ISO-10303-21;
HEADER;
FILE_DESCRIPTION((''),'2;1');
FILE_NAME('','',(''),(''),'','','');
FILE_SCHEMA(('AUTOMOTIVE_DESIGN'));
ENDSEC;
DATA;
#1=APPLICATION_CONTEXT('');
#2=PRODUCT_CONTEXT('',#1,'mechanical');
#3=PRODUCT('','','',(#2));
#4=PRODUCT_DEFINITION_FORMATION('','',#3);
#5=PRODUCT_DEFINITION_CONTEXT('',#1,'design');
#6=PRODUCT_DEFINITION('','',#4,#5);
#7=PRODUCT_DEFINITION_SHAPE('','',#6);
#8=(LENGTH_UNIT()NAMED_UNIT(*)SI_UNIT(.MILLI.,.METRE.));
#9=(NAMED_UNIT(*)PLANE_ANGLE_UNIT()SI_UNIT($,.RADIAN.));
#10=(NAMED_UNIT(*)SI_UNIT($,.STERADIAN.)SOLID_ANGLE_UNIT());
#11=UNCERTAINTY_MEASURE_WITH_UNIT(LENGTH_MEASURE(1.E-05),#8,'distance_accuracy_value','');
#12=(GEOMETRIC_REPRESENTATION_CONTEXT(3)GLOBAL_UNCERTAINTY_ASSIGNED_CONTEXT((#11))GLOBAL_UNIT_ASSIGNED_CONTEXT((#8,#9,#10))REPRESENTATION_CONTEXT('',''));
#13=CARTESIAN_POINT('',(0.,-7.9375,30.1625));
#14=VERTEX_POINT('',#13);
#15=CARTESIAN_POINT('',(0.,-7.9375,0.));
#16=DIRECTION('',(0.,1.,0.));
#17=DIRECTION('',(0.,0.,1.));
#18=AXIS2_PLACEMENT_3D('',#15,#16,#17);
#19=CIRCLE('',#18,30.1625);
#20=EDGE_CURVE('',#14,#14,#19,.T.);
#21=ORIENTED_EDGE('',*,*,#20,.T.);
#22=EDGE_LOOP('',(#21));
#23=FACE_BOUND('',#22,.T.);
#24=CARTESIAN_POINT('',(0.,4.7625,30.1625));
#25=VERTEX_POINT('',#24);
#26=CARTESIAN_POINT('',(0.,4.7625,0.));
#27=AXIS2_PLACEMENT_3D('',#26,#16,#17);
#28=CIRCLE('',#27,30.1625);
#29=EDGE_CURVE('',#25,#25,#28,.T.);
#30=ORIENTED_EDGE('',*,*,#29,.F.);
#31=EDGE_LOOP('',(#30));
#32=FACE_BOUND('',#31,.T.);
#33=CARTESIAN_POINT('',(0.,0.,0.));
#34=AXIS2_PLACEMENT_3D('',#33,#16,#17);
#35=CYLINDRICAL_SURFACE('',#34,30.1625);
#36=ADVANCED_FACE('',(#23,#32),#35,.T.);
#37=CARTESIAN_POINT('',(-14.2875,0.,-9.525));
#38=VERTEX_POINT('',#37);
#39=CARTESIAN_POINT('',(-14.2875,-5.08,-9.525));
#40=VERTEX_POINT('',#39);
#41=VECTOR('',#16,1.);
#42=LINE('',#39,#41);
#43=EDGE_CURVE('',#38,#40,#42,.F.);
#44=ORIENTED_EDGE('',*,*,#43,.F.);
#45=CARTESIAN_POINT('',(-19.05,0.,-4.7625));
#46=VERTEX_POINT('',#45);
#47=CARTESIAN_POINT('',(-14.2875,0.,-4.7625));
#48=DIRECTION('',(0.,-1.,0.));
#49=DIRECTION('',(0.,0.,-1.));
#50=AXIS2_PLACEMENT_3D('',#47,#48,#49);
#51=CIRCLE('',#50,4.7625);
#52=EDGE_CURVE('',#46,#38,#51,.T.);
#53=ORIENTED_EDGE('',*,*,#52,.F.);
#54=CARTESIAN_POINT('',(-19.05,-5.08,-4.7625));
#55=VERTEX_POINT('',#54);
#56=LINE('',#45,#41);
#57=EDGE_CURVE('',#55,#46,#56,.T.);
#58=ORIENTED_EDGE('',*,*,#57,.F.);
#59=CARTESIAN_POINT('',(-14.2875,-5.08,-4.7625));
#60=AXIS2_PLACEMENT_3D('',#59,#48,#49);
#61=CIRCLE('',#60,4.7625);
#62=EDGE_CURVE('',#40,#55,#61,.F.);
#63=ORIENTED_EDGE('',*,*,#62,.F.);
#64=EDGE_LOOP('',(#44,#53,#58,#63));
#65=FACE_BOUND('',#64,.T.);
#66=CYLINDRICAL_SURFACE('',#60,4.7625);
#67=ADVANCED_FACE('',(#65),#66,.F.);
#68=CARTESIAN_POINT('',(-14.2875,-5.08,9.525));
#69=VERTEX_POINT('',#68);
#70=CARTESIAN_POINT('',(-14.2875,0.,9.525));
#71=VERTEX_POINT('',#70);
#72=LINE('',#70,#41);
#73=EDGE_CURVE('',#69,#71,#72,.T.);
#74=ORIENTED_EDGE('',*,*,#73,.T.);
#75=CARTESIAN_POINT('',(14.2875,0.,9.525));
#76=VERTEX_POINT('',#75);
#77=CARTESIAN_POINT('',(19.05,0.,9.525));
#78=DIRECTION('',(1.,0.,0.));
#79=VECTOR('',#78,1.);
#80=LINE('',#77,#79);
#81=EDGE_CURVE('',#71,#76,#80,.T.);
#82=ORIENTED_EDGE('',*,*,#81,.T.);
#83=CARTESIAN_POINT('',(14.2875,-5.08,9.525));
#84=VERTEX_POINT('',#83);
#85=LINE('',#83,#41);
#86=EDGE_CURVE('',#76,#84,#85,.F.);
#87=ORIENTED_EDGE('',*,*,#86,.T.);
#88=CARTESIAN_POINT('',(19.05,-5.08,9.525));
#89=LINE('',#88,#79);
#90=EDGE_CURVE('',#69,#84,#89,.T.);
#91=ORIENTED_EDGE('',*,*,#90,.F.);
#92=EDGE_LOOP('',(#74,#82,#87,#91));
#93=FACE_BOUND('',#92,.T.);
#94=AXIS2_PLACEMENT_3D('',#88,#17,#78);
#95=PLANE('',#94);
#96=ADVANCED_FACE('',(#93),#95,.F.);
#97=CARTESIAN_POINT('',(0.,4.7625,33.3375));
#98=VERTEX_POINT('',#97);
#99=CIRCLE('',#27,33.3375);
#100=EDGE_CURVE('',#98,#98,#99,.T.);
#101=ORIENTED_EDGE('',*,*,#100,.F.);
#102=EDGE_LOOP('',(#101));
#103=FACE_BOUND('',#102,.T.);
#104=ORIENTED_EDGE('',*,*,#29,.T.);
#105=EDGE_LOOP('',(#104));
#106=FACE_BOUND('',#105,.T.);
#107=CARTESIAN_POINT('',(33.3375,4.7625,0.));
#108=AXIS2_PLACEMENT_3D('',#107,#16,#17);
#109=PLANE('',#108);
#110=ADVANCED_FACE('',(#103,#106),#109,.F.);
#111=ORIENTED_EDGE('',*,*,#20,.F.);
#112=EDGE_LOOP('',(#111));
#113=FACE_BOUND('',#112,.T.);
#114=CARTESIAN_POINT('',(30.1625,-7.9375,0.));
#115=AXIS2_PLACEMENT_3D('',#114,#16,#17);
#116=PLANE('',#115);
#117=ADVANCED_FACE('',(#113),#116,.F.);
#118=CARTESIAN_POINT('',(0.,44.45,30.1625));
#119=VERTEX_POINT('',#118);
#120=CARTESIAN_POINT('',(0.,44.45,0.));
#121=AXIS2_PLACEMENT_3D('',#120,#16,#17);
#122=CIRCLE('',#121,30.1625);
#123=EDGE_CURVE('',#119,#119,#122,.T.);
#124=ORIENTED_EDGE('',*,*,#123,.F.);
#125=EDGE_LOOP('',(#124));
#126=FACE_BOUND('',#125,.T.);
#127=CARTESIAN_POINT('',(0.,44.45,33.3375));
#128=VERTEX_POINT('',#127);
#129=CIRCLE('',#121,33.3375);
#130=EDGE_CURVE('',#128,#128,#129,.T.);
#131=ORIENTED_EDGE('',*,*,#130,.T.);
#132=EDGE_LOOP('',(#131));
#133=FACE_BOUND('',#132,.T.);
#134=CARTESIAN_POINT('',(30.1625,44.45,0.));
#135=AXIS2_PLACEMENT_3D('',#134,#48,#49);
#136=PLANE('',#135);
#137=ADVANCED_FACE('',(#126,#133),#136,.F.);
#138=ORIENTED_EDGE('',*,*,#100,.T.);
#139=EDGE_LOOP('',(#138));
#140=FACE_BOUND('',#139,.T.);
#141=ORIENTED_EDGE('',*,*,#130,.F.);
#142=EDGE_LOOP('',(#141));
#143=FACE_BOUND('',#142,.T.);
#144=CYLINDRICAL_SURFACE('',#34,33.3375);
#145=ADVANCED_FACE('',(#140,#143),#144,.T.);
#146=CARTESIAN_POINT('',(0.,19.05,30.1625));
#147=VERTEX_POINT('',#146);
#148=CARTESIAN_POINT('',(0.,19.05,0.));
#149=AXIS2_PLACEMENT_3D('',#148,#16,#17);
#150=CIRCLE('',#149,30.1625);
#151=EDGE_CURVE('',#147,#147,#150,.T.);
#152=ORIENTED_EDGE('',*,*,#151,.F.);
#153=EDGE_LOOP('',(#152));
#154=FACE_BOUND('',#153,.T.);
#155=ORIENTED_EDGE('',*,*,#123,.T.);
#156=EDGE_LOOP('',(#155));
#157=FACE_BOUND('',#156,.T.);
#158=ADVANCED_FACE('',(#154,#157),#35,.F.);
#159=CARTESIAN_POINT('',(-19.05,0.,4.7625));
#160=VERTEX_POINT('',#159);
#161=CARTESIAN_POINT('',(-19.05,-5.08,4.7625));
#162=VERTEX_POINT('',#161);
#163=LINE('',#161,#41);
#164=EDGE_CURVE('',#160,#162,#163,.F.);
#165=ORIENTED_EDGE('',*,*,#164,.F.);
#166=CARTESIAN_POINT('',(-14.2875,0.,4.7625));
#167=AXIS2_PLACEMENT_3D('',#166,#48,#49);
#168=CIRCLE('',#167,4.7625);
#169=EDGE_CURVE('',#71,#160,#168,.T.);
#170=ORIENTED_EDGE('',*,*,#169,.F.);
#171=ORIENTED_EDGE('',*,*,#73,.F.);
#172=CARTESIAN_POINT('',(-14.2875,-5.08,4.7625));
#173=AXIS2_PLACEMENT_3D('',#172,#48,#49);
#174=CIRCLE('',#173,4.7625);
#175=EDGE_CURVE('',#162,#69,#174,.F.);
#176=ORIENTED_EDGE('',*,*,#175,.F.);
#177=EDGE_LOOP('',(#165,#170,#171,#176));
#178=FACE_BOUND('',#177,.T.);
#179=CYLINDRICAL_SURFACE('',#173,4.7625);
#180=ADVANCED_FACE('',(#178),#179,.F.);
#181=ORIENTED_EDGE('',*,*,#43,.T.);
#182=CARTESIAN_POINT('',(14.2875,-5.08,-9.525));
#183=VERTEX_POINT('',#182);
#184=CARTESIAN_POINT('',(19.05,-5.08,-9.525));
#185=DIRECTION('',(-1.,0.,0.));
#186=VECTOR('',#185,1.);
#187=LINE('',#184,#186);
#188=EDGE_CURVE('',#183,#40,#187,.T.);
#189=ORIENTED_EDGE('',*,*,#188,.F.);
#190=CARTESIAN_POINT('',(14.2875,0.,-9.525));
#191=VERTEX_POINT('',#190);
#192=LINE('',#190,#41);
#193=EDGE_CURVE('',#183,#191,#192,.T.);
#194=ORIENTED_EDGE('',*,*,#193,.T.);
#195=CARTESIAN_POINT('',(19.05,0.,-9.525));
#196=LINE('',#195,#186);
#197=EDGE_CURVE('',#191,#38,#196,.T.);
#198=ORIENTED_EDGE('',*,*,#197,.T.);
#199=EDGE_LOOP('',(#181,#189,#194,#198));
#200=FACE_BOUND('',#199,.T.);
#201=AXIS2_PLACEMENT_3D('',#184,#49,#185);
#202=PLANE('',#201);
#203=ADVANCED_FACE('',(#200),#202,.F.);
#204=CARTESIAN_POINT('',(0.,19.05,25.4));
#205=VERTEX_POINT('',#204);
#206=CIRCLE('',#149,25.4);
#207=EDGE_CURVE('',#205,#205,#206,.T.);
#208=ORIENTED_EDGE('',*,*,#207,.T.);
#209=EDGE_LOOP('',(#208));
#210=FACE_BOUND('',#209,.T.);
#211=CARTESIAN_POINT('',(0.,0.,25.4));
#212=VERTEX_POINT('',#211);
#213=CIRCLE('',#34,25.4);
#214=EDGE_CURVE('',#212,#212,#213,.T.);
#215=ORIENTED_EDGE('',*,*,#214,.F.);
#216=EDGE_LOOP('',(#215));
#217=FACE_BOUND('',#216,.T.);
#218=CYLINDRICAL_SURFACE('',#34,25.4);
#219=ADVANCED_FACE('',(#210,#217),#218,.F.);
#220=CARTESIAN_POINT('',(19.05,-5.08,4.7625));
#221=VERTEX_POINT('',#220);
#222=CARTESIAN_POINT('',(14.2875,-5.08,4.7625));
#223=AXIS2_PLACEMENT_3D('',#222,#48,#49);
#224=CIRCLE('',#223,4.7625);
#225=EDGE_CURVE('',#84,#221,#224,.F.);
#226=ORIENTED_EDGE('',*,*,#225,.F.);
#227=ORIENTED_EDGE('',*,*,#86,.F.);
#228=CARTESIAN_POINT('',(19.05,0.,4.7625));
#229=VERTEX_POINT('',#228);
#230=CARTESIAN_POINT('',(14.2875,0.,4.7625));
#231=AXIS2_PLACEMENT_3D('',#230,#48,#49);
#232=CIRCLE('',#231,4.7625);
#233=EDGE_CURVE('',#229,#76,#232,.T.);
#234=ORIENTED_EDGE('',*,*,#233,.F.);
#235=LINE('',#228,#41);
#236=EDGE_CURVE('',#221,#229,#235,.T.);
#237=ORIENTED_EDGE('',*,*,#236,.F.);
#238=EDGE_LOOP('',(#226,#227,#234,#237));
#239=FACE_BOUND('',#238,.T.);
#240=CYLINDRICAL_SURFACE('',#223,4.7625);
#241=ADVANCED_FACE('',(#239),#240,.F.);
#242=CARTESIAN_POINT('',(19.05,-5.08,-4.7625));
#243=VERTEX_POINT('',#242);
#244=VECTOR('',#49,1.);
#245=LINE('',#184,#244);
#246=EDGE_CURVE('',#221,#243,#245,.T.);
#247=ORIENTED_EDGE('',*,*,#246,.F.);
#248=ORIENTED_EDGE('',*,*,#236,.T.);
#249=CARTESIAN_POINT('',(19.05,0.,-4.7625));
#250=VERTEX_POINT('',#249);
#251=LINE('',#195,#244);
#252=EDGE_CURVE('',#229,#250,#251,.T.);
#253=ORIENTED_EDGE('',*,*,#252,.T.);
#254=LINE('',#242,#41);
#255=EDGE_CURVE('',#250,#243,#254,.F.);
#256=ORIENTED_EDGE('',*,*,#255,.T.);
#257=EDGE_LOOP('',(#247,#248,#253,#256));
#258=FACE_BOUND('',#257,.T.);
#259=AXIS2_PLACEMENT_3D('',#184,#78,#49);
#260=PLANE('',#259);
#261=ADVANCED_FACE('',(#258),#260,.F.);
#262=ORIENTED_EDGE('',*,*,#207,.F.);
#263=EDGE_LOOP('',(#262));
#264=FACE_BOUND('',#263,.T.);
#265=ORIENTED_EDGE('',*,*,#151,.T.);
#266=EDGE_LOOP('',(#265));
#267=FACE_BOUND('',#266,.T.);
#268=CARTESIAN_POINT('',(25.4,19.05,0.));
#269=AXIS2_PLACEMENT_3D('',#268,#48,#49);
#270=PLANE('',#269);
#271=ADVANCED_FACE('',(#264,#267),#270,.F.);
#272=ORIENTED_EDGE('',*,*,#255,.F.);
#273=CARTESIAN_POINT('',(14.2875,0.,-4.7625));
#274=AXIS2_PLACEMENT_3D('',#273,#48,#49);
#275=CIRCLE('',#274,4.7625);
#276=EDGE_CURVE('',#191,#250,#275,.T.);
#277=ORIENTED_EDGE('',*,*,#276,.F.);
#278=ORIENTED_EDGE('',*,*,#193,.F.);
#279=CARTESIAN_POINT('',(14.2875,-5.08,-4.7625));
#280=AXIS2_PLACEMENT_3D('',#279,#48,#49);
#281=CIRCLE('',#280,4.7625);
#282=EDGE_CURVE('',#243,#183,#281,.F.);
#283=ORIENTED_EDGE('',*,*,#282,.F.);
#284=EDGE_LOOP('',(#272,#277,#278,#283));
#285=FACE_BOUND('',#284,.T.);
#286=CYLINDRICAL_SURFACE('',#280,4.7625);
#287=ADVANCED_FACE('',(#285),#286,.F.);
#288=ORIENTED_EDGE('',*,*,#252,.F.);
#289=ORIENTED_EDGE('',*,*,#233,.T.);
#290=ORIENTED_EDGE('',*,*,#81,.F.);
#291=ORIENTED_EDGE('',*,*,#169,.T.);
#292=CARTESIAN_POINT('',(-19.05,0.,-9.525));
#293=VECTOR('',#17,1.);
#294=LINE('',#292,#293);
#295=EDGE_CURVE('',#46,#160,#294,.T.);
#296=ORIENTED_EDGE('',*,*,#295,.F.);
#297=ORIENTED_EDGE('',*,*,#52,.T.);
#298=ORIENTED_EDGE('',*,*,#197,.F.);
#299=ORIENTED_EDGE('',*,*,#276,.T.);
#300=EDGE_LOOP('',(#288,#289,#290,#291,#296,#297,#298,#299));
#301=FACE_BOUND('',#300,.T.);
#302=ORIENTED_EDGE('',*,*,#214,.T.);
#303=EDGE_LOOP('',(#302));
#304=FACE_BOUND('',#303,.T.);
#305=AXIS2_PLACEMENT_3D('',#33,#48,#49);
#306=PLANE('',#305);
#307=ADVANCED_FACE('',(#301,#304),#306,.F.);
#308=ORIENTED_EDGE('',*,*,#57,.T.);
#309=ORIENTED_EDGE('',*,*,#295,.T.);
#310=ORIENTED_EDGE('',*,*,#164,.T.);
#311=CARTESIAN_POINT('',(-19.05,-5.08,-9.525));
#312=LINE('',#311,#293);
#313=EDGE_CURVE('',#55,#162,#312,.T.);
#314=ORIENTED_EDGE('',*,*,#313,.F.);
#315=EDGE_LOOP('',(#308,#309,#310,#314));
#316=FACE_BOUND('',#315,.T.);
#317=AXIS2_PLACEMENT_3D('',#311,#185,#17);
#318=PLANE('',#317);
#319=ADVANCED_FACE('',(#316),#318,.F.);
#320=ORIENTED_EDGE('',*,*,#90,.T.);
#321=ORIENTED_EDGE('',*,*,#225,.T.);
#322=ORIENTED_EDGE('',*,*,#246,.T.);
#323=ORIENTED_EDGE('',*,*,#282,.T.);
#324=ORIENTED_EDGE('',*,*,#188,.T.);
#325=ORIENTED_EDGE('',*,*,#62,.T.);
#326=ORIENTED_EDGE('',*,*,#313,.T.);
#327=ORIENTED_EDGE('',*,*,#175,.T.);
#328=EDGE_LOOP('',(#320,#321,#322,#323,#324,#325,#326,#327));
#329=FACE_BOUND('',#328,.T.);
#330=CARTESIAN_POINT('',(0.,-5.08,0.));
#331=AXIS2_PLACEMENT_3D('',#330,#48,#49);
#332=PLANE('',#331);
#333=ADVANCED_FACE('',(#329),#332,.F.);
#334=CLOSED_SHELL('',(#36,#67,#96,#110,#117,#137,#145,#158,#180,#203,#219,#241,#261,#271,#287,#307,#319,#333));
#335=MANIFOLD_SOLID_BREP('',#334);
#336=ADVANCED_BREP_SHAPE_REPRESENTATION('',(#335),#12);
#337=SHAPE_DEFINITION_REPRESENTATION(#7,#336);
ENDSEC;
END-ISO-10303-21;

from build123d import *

# Parameters (mm, degrees)
SKETCH2_W          = 38.1
SKETCH2_H          = 19.05
CUT_EXTRUDE1_DEPTH = 5.08
FILLET1_R          = 4.7625


with BuildPart() as part:
    # Sketch1 → Revolve1 (revolve)
    with BuildSketch(Plane.XY):
        Polygon((0, 0), (25.4, 0), (25.4, 19.05), (30.1625, 19.05), (30.1625, 44.45), (33.3375, 44.45), (33.3375, 4.7625), (30.1625, 4.7625), (30.1625, -7.9375), (0, -7.9375), align=None)
    revolve(axis=Axis((0, 0, 0), (0, -1, 0)))

    # Sketch2 → Cut-Extrude1 (cut)
    with BuildSketch(Plane(origin=(0, 0, 0), x_dir=(1, 0, 0), z_dir=(0, 1, 0))):
        Rectangle(SKETCH2_W, SKETCH2_H)
    extrude(amount=-CUT_EXTRUDE1_DEPTH, mode=Mode.SUBTRACT)

    # Fillet1
    fillet1_edges = [part.edges().sort_by_distance(p)[0] for p in [
        (19.05, -2.54, -9.525),
        (19.05, -2.54, 9.525),
        (-19.05, -2.54, 9.525),
        (-19.05, -2.54, -9.525),
    ]]
    fillet(fillet1_edges, radius=FILLET1_R)


solid = part.part
